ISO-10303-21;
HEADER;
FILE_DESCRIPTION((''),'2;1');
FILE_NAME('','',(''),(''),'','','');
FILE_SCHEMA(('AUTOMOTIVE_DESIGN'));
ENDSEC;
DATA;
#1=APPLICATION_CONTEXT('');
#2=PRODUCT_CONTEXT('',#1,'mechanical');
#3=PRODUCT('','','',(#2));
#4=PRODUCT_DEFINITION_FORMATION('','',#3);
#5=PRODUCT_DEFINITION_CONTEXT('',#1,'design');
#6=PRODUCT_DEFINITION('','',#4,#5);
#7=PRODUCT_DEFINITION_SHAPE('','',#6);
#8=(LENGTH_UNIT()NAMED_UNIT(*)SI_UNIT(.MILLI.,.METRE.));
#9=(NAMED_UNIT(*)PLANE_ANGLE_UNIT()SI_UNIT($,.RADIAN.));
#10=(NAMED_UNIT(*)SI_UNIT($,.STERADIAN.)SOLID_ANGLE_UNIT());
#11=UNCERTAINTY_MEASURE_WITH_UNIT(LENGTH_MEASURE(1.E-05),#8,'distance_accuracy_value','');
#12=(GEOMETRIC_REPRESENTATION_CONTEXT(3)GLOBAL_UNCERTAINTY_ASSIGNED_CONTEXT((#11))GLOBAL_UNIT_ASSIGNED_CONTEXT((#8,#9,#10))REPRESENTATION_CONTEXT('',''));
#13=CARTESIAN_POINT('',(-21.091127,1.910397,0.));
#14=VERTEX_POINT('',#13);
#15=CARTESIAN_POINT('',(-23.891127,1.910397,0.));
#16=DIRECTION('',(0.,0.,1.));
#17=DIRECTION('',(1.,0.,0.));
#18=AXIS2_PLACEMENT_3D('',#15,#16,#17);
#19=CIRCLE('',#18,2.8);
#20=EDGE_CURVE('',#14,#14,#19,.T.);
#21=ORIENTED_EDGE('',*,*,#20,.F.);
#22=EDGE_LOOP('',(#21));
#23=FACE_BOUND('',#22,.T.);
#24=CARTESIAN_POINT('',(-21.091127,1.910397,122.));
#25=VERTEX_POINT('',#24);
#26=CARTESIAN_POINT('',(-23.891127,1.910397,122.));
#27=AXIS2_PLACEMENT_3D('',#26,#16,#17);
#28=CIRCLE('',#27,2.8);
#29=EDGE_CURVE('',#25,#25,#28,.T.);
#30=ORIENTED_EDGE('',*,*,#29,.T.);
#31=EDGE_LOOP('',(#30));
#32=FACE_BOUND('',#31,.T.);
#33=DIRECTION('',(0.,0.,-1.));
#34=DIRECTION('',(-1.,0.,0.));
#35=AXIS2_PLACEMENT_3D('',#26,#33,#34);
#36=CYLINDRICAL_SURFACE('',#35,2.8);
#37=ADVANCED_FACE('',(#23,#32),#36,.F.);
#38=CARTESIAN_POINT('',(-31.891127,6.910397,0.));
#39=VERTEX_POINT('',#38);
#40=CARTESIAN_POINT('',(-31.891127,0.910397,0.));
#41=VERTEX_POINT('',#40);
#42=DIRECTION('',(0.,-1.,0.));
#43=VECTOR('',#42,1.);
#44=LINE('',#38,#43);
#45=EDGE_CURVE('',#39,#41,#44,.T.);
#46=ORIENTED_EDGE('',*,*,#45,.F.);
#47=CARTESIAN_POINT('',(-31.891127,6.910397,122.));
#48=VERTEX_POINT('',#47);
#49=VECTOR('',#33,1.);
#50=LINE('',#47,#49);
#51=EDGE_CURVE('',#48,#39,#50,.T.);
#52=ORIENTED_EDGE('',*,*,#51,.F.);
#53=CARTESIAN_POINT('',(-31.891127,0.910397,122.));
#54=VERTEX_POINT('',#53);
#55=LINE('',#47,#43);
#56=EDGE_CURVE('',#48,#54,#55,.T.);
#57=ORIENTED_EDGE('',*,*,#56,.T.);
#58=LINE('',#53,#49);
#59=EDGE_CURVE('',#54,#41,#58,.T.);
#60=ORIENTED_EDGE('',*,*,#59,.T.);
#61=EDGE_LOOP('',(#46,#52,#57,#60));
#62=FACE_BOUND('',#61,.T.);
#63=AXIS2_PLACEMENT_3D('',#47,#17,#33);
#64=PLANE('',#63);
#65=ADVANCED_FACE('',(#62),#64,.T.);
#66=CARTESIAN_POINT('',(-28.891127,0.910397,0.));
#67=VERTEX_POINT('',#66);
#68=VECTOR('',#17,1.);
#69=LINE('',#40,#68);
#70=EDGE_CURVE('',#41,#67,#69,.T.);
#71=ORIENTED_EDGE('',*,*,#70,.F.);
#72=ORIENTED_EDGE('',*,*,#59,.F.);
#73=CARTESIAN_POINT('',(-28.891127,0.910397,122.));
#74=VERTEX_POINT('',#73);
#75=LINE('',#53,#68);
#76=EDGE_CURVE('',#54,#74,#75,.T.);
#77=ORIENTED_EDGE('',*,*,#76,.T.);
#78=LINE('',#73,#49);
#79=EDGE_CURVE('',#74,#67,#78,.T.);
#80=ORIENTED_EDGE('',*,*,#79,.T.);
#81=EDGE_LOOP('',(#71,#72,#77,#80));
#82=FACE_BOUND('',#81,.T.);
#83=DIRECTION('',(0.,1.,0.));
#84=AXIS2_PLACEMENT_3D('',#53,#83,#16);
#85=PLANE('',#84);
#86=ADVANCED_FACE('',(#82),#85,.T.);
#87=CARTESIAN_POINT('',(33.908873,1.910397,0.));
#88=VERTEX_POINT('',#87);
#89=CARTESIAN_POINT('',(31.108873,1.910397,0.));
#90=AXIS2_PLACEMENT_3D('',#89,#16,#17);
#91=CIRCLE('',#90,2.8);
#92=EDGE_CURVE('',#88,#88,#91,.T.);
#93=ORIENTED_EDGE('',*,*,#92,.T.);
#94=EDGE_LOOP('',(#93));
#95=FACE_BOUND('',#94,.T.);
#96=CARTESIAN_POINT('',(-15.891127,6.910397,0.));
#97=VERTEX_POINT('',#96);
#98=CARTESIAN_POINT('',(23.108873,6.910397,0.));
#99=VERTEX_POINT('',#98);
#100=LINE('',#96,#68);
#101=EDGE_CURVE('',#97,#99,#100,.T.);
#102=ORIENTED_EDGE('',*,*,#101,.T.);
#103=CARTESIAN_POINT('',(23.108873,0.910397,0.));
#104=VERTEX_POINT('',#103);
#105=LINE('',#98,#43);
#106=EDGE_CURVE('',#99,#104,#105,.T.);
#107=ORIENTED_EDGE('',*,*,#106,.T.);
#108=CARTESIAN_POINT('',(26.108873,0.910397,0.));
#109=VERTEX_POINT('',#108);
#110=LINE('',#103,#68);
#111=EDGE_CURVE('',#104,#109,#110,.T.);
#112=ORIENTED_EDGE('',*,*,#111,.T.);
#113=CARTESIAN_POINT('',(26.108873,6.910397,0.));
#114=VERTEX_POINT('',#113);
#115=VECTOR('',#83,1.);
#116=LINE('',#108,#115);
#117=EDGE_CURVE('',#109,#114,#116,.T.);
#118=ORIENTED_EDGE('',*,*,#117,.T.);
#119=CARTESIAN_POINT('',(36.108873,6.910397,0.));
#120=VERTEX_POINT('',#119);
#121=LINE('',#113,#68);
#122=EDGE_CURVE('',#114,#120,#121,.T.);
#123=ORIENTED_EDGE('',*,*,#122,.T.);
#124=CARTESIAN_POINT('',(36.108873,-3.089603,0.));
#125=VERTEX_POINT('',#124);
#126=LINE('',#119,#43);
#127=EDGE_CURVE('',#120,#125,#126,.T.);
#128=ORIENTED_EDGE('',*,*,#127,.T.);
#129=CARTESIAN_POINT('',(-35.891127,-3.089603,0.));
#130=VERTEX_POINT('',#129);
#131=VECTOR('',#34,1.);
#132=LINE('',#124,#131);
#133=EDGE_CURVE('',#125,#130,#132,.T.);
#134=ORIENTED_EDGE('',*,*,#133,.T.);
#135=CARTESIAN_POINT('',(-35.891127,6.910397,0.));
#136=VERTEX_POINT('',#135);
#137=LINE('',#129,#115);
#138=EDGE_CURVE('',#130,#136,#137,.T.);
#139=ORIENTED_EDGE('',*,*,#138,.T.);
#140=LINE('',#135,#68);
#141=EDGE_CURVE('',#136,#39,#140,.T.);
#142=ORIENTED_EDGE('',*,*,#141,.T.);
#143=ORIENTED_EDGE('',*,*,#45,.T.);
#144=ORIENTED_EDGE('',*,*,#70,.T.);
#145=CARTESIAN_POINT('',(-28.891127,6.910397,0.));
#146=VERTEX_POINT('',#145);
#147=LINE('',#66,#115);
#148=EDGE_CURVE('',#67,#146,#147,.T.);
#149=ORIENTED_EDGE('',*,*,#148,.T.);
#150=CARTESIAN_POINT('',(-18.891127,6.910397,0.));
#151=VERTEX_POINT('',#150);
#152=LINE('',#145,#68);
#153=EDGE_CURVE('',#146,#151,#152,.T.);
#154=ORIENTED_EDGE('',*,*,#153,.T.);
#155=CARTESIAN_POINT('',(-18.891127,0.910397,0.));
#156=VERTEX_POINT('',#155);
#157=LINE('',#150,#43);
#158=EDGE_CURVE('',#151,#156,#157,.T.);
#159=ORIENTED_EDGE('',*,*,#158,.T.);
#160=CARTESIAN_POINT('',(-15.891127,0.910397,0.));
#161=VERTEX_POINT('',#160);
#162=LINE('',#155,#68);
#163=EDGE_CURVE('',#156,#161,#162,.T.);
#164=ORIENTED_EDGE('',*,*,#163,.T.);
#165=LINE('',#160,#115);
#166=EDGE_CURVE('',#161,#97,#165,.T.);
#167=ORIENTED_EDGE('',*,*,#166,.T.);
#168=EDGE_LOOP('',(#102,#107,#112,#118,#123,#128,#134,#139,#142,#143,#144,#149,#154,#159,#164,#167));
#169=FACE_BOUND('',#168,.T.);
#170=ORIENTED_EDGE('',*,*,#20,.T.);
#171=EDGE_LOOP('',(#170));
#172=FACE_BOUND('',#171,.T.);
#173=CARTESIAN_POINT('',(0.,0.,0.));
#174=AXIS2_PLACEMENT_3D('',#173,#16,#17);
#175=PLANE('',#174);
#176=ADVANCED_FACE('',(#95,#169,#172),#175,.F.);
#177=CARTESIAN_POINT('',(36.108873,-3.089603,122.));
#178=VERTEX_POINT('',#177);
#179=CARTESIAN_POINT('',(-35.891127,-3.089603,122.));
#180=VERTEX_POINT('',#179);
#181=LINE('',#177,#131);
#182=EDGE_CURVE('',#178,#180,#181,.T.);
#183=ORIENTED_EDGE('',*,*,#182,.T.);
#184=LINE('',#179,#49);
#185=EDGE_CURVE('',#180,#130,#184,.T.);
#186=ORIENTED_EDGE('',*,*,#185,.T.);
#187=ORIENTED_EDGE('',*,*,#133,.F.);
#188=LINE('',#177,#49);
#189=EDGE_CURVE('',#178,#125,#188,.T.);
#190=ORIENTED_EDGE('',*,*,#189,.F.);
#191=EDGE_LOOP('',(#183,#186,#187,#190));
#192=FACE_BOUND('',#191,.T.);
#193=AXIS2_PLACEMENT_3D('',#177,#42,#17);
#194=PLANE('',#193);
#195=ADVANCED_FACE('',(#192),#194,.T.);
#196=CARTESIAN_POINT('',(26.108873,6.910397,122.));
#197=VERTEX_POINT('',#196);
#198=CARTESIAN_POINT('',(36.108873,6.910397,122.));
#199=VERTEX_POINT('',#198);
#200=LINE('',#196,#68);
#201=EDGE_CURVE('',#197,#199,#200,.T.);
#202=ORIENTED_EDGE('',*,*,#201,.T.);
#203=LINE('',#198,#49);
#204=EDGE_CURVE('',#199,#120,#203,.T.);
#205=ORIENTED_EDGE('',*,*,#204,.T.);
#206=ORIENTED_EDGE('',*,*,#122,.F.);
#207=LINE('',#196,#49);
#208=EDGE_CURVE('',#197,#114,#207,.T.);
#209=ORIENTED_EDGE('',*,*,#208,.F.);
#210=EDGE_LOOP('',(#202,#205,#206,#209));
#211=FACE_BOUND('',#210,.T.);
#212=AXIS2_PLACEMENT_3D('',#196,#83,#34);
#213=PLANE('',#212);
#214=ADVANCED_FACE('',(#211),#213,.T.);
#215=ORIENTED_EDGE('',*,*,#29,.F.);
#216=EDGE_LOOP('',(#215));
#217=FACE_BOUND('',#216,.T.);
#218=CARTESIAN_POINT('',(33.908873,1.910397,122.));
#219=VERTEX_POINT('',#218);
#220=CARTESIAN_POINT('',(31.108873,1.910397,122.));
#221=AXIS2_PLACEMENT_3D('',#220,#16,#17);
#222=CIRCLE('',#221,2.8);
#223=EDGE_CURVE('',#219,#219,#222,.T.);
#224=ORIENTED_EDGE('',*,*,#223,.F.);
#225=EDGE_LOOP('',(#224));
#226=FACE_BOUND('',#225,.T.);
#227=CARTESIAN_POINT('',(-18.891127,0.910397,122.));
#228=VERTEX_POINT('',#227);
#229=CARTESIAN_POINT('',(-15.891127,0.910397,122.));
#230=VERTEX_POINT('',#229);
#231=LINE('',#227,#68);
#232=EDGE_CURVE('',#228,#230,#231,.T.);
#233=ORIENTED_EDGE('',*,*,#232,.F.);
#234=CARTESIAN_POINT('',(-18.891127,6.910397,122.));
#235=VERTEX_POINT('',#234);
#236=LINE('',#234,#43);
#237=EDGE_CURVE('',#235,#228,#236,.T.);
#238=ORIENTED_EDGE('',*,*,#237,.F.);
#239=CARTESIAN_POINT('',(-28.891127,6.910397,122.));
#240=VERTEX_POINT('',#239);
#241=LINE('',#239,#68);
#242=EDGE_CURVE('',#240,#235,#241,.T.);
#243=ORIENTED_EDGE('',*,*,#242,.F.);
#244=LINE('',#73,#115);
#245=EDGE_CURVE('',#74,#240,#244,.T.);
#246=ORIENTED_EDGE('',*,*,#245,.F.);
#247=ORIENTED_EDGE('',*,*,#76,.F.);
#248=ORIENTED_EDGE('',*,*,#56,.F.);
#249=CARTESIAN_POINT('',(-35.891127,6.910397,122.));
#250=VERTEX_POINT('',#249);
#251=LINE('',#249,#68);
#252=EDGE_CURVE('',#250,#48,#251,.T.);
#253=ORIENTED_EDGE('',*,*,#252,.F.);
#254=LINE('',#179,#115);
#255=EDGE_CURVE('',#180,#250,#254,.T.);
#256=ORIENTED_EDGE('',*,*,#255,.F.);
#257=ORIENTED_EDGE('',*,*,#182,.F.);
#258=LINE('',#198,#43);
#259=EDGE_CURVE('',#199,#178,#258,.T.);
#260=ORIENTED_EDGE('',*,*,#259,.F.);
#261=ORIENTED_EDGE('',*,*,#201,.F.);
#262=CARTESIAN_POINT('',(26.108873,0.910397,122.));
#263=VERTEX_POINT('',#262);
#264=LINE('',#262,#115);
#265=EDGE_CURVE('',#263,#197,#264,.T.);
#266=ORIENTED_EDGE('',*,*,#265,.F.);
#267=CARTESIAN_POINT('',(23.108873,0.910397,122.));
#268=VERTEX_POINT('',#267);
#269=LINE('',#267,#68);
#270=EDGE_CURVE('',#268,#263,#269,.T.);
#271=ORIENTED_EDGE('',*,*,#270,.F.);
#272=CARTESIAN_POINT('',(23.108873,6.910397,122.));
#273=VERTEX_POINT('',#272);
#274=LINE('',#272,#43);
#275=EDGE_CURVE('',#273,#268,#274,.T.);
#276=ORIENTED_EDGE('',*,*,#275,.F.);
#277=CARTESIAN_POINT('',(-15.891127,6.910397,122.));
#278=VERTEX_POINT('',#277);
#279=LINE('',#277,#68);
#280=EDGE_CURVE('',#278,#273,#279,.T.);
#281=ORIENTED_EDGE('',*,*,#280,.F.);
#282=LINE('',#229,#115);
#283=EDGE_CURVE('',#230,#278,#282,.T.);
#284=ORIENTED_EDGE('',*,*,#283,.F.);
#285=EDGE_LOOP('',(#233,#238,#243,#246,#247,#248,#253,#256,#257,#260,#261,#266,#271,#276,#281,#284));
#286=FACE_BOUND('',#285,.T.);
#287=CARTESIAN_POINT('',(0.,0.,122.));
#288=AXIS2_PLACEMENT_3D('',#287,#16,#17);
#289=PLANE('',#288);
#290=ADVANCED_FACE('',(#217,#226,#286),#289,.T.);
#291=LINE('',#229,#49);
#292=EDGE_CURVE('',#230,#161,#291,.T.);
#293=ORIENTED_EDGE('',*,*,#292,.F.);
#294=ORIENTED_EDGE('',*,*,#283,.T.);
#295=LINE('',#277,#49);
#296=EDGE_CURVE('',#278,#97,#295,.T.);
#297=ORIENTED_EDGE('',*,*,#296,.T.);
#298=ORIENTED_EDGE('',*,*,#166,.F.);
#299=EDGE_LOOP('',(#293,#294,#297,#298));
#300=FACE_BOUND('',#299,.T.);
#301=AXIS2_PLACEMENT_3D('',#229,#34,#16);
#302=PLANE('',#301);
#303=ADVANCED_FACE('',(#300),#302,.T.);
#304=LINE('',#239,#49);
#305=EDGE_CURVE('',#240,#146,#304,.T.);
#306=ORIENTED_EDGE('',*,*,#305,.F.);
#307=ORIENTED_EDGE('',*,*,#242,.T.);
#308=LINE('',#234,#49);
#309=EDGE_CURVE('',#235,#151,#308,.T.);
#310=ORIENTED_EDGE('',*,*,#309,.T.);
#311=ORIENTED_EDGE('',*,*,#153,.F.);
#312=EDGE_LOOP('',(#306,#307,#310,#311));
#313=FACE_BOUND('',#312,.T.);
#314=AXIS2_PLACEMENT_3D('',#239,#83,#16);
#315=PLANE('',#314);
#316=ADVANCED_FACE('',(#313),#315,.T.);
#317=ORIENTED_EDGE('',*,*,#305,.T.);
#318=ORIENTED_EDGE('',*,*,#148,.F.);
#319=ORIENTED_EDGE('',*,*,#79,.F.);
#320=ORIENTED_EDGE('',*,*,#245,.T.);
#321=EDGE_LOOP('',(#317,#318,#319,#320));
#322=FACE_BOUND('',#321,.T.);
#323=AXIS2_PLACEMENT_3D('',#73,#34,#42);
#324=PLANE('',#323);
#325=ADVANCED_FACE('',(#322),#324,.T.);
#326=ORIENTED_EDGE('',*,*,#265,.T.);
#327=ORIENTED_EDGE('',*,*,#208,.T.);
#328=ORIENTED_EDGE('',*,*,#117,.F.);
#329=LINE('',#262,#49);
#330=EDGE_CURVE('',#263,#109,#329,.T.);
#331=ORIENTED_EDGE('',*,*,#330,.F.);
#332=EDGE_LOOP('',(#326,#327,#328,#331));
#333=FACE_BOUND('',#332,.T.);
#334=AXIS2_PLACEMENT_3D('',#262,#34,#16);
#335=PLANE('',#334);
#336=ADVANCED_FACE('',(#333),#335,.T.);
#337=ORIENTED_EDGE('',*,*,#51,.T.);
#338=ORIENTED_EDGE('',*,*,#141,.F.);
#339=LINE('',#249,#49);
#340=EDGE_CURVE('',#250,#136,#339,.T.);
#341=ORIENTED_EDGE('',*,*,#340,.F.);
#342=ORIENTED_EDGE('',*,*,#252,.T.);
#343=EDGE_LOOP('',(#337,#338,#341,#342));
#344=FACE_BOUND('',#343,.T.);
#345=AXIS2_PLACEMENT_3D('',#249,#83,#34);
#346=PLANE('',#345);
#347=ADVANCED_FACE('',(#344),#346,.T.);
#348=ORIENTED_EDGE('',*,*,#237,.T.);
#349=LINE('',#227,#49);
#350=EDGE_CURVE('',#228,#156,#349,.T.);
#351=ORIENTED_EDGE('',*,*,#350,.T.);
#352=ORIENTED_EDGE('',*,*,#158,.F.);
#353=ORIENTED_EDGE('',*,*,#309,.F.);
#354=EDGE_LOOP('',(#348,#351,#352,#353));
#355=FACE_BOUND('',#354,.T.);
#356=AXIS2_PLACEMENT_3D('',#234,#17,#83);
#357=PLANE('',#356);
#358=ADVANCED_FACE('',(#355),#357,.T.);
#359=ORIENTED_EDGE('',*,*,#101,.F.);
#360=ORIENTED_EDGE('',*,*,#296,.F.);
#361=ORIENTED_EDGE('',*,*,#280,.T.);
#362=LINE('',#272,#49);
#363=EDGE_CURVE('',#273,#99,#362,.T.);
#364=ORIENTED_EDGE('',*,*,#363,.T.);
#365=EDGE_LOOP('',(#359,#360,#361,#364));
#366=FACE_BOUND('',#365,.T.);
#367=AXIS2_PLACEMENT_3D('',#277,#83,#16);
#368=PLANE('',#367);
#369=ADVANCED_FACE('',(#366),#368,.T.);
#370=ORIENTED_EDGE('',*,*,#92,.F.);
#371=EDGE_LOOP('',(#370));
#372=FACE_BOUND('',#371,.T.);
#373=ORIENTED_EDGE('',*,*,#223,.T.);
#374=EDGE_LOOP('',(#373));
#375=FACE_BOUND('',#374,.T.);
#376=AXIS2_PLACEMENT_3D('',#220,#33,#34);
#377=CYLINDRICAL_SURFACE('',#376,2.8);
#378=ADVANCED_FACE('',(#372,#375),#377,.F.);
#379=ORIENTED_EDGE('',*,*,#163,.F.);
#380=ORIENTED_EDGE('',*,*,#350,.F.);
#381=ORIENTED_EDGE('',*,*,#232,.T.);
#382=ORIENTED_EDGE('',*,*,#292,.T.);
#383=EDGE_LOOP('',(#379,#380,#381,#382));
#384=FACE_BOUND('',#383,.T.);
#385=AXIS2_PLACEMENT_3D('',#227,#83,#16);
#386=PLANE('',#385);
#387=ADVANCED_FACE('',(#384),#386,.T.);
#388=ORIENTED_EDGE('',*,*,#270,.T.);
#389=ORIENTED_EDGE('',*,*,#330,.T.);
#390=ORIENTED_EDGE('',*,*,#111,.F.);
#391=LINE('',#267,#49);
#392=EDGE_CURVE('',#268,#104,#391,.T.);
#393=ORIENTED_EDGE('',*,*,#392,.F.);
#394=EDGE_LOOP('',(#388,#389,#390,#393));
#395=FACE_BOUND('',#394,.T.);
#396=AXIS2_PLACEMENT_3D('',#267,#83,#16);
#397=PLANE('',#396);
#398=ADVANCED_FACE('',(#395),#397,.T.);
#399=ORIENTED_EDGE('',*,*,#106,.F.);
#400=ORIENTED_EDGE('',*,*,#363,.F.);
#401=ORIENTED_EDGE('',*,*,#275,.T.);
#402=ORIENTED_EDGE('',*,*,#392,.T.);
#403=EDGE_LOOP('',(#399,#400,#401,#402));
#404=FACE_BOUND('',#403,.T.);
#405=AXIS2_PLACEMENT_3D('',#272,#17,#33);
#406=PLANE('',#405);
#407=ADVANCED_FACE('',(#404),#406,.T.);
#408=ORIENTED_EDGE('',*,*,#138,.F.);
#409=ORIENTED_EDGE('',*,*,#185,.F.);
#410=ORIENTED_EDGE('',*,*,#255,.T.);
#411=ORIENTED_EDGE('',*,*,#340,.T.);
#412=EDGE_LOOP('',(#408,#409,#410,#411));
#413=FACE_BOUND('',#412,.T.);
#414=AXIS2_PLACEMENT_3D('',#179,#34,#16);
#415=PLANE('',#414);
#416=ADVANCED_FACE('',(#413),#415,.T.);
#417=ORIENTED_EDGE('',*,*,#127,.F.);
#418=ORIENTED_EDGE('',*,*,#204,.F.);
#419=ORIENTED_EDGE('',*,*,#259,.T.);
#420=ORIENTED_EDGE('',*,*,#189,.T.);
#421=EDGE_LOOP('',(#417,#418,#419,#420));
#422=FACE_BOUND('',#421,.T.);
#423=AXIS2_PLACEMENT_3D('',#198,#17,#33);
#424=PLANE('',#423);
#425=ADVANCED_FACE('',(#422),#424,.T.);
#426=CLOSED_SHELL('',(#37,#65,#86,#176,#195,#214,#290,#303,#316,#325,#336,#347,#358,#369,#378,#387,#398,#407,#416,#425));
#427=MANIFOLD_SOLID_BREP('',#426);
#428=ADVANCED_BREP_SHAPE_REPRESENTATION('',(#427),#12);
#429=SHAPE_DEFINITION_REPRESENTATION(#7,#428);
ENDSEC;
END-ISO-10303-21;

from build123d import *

# Parameters (mm, degrees)
ESQUISSE1_R        = 2.8
BOSS_EXTRU_1_DEPTH = 122


with BuildPart() as part:
    # Esquisse1 → Boss.-Extru.1 (new body)
    with BuildSketch(Plane.XY):
        Polygon((-35.89112663, -3.089603204), (-35.89112663, 6.910396796), (-31.89112663, 6.910396796), (-31.89112663, 0.910396796), (-28.89112663, 0.910396796), (-28.89112663, 6.910396796), (-18.89112663, 6.910396796), (-18.89112663, 0.910396796), (-15.89112663, 0.910396796), (-15.89112663, 6.910396796), (23.10887337, 6.910396796), (23.10887337, 0.910396796), (26.10887337, 0.910396796), (26.10887337, 6.910396796), (36.10887337, 6.910396796), (36.10887337, -3.089603204), align=None)
        with Locations((-23.89112663, 1.910396796)):
            Circle(ESQUISSE1_R, mode=Mode.SUBTRACT)
        with Locations((31.10887337, 1.910396796)):
            Circle(ESQUISSE1_R, mode=Mode.SUBTRACT)
    extrude(amount=BOSS_EXTRU_1_DEPTH)


solid = part.part
